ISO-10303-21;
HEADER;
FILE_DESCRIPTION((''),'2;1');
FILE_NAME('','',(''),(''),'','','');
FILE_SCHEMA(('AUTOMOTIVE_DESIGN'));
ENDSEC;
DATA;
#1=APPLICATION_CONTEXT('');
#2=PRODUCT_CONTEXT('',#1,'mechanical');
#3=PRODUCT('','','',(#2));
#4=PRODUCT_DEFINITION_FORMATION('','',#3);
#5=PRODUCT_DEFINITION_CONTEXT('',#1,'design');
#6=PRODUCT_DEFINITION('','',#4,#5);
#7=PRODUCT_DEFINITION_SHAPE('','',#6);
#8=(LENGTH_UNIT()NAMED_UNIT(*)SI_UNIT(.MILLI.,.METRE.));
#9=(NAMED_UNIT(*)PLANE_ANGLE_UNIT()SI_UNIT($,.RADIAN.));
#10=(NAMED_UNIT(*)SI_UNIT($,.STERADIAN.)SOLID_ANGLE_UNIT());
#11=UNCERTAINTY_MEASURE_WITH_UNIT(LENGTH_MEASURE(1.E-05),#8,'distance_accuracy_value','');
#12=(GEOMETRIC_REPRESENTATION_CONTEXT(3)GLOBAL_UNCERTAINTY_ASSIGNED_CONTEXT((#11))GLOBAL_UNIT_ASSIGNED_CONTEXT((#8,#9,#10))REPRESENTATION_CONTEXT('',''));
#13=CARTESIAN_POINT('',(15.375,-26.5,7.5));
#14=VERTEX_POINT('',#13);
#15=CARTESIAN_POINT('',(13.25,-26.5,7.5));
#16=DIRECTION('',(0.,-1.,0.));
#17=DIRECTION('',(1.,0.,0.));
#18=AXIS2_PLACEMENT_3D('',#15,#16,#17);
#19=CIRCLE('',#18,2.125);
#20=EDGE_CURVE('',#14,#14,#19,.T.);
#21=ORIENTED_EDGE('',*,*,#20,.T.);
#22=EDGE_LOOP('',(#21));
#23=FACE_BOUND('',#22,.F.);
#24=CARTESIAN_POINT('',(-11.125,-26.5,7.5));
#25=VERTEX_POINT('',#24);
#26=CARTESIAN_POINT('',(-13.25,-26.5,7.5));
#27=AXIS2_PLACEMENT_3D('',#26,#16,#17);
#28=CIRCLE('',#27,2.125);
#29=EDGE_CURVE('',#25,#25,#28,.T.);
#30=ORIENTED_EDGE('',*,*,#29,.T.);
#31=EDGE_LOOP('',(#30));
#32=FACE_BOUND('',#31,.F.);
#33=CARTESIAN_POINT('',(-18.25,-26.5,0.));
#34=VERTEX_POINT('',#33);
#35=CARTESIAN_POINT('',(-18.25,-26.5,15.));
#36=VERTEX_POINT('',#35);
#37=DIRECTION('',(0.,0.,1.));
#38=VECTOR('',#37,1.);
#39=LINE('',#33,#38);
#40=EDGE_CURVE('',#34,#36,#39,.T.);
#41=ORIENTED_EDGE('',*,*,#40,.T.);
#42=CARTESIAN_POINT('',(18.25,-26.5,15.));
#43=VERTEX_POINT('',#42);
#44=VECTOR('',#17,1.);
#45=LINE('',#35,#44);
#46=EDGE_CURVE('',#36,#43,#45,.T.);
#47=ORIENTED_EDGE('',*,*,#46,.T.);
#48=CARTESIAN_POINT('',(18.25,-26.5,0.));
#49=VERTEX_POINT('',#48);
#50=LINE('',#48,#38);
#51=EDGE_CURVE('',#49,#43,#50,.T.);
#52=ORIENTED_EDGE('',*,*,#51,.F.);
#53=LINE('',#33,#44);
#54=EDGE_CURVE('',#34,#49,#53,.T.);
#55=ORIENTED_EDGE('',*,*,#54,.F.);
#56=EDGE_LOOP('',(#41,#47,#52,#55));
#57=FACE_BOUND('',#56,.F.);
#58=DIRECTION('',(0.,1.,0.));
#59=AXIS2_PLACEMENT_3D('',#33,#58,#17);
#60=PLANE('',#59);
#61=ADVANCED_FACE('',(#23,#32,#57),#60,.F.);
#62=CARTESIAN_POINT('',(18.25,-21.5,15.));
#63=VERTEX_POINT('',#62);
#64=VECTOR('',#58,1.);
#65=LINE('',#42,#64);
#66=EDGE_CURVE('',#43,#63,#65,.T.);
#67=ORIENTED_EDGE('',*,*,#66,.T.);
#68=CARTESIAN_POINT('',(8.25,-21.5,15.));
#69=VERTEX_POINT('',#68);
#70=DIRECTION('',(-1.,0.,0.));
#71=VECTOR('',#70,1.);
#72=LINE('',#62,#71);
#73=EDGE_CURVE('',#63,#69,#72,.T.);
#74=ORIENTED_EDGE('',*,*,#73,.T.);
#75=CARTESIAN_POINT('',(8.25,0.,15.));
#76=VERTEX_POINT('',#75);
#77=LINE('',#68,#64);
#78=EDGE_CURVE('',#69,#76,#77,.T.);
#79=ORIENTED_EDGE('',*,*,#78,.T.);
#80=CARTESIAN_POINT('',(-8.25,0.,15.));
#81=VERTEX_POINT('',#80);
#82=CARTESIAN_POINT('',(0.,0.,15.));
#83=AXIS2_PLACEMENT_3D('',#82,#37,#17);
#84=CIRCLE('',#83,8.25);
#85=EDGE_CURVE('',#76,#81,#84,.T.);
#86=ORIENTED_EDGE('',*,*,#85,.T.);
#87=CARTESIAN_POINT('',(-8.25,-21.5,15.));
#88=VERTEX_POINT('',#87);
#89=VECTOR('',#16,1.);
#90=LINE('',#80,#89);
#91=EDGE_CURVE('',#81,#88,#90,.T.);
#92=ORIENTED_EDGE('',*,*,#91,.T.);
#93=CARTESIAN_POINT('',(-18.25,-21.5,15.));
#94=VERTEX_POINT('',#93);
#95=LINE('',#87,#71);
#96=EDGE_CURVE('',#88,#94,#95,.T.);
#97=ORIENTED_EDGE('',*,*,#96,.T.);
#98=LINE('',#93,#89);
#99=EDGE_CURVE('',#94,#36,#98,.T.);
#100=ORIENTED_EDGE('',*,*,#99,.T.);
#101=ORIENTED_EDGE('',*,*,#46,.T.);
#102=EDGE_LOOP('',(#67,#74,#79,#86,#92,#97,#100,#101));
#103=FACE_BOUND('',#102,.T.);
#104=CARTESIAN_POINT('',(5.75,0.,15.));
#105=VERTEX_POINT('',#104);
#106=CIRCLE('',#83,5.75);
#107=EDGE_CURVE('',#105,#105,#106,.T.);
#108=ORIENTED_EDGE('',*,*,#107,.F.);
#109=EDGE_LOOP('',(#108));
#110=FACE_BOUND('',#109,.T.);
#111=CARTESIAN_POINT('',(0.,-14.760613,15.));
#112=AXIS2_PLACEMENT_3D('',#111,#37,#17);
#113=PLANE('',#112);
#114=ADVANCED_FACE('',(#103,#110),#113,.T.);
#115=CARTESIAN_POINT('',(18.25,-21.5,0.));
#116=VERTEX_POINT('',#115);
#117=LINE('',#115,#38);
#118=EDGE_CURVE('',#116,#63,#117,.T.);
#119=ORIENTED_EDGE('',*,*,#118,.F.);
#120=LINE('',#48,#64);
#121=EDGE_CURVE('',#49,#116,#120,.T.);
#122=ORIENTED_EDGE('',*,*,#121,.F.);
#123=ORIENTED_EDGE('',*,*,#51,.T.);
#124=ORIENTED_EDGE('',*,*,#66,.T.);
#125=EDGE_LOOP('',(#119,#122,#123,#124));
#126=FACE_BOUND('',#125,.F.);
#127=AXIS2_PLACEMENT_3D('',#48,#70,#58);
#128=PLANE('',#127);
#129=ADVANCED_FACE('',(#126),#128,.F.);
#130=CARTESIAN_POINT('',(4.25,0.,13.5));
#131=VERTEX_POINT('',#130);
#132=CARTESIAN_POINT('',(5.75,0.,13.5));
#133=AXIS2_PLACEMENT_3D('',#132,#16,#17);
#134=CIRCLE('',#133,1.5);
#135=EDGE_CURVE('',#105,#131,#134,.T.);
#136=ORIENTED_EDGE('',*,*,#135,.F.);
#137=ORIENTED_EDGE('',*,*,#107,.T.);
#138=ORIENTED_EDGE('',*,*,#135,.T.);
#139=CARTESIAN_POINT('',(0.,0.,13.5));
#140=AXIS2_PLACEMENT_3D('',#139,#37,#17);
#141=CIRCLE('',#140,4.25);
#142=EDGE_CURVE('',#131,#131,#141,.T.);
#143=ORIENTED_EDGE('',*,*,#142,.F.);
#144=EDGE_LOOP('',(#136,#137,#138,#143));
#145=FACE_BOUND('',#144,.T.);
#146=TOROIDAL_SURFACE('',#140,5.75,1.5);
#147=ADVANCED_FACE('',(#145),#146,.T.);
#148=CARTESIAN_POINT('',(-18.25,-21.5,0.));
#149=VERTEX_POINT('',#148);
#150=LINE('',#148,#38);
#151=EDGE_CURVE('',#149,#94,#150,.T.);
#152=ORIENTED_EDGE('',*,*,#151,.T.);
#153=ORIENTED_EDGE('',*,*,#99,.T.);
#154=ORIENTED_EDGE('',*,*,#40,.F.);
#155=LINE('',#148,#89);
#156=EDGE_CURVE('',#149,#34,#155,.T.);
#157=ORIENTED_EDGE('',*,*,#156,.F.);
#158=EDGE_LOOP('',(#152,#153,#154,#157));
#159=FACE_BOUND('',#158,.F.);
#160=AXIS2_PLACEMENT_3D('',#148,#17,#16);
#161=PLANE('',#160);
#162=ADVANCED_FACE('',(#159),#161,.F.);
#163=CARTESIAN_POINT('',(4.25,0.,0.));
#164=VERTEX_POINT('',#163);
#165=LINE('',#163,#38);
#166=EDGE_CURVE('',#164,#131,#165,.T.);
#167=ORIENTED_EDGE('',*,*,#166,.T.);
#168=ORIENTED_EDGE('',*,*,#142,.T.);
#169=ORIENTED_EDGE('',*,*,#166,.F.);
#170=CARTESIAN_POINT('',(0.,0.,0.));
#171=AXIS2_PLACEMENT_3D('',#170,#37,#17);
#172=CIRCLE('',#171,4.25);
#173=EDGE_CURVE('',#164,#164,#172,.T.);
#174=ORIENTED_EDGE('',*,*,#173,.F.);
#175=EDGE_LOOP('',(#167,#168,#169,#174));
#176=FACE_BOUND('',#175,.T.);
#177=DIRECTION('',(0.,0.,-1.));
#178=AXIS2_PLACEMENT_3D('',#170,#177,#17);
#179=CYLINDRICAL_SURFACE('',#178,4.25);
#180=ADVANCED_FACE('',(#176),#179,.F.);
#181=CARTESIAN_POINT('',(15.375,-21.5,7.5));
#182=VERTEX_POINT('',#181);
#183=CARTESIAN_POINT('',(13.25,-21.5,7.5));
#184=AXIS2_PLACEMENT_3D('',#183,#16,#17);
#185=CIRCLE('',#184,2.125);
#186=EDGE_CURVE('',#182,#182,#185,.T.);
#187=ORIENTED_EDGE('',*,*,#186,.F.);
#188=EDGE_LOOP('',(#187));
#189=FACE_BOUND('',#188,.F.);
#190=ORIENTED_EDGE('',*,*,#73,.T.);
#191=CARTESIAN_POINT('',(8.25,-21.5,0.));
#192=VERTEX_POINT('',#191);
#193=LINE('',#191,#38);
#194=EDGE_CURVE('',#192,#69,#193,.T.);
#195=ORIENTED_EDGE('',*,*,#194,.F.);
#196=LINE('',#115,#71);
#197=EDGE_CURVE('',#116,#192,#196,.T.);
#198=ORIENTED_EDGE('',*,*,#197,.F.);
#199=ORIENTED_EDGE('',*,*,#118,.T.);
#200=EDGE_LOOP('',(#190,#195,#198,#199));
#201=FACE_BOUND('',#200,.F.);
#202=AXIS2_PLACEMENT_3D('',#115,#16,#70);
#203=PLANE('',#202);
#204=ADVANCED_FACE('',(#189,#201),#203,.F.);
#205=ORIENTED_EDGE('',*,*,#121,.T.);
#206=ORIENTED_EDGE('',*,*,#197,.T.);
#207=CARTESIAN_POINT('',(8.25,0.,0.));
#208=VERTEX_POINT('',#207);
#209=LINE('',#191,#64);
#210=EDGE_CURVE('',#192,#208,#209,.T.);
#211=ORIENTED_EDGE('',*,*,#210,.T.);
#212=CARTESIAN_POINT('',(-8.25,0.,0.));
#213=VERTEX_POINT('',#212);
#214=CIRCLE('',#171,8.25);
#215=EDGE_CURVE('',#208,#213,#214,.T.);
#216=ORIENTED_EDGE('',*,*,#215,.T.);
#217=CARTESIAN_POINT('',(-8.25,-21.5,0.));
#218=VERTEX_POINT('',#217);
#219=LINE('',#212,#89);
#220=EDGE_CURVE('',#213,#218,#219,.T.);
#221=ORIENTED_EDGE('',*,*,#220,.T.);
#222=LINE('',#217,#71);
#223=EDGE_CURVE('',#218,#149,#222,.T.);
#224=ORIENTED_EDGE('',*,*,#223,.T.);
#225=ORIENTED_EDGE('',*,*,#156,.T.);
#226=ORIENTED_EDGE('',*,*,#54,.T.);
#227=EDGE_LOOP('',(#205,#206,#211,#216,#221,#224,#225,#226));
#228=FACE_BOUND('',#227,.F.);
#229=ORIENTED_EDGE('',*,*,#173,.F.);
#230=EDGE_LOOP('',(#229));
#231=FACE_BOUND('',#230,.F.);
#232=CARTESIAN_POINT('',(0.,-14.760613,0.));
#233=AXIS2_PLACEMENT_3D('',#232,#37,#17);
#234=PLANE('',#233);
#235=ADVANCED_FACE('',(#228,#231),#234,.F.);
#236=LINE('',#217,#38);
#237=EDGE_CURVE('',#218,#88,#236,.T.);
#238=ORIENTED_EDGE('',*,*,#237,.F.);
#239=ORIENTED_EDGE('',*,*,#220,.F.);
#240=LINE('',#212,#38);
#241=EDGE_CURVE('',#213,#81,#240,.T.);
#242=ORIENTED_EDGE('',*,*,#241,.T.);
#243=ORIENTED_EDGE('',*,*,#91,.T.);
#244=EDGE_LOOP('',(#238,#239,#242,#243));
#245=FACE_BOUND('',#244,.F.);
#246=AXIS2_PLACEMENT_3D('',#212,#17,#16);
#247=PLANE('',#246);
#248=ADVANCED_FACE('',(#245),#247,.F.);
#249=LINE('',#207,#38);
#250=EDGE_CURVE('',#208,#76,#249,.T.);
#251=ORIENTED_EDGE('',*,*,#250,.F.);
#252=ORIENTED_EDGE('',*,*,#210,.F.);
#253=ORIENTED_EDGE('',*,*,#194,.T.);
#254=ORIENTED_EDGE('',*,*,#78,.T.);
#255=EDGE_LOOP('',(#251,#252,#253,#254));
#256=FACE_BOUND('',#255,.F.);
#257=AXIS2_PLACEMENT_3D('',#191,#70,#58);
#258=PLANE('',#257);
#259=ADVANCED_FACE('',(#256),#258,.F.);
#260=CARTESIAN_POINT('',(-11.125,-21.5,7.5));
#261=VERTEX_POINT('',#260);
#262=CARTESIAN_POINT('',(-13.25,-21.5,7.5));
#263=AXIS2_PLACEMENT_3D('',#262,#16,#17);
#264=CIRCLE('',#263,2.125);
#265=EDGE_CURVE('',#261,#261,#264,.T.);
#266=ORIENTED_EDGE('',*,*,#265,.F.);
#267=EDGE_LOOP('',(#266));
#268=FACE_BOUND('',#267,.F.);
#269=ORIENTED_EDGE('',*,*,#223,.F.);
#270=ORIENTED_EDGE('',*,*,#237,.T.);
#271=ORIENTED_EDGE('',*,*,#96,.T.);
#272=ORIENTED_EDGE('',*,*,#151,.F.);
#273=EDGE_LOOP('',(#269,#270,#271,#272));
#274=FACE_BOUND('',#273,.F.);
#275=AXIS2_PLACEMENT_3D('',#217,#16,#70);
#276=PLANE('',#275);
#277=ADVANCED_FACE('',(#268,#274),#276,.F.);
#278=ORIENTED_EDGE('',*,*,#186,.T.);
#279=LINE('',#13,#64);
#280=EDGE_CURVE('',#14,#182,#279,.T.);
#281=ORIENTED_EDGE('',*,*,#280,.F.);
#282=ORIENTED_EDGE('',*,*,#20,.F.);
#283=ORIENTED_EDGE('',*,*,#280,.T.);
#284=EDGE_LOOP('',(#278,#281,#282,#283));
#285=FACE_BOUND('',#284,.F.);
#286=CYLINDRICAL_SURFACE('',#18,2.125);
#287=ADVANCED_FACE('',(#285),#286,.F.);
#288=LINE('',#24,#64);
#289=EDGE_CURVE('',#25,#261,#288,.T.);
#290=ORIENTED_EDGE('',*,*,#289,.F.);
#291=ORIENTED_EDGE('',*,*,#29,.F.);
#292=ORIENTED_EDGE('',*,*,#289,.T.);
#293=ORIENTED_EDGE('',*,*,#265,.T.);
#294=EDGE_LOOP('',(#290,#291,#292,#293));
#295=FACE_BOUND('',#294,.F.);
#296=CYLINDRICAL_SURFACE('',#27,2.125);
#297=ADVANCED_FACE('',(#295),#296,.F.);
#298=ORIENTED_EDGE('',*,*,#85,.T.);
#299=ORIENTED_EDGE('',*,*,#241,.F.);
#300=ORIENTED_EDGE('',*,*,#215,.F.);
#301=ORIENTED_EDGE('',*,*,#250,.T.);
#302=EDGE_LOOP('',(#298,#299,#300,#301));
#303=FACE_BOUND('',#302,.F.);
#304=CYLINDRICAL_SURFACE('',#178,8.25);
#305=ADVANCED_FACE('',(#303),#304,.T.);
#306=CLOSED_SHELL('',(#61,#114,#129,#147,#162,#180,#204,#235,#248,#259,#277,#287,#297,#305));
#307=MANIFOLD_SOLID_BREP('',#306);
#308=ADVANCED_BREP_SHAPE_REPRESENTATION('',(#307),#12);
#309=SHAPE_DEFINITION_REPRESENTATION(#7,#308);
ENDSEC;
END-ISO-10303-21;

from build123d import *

# Parameters (mm, degrees)
F0_R     = 4.25
F1_DEPTH = 15
F2_R     = 2.125
F3_DEPTH = 34.751
F4_R     = 1.5


with BuildPart() as f1:
    # F0 (on Top) → F1 (new body)
    with BuildSketch(Plane.XY):
        with BuildLine():
            Line((8.25, -21.5), (8.25, 0))
            ThreePointArc((8.25, 0), (0, 8.25), (-8.25, 0))
            Line((-8.25, 0), (-8.25, -21.5))
            Line((-8.25, -21.5), (-18.25, -21.5))
            Line((-18.25, -21.5), (-18.25, -26.5))
            Line((-18.25, -26.5), (0, -26.5))
            Line((0, -26.5), (18.25, -26.5))
            Line((18.25, -26.5), (18.25, -21.5))
            Line((18.25, -21.5), (8.25, -21.5))
        make_face()
        Circle(F0_R, mode=Mode.SUBTRACT)
    extrude(amount=F1_DEPTH)

    # F2 (on face) → F3 (cut, through all)
    with BuildSketch(Plane.XZ.offset(26.5)):
        with Locations((-13.25, 7.5)):
            Circle(F2_R)
        with Locations((13.25, 7.5)):
            Circle(F2_R)
    extrude(amount=-F3_DEPTH, mode=Mode.SUBTRACT)

    # F4
    f4_edges = [f1.edges().sort_by_distance(p)[0] for p in [
        (-4.25, 0, 15),
    ]]
    fillet(f4_edges, radius=F4_R)


solid = f1.part
